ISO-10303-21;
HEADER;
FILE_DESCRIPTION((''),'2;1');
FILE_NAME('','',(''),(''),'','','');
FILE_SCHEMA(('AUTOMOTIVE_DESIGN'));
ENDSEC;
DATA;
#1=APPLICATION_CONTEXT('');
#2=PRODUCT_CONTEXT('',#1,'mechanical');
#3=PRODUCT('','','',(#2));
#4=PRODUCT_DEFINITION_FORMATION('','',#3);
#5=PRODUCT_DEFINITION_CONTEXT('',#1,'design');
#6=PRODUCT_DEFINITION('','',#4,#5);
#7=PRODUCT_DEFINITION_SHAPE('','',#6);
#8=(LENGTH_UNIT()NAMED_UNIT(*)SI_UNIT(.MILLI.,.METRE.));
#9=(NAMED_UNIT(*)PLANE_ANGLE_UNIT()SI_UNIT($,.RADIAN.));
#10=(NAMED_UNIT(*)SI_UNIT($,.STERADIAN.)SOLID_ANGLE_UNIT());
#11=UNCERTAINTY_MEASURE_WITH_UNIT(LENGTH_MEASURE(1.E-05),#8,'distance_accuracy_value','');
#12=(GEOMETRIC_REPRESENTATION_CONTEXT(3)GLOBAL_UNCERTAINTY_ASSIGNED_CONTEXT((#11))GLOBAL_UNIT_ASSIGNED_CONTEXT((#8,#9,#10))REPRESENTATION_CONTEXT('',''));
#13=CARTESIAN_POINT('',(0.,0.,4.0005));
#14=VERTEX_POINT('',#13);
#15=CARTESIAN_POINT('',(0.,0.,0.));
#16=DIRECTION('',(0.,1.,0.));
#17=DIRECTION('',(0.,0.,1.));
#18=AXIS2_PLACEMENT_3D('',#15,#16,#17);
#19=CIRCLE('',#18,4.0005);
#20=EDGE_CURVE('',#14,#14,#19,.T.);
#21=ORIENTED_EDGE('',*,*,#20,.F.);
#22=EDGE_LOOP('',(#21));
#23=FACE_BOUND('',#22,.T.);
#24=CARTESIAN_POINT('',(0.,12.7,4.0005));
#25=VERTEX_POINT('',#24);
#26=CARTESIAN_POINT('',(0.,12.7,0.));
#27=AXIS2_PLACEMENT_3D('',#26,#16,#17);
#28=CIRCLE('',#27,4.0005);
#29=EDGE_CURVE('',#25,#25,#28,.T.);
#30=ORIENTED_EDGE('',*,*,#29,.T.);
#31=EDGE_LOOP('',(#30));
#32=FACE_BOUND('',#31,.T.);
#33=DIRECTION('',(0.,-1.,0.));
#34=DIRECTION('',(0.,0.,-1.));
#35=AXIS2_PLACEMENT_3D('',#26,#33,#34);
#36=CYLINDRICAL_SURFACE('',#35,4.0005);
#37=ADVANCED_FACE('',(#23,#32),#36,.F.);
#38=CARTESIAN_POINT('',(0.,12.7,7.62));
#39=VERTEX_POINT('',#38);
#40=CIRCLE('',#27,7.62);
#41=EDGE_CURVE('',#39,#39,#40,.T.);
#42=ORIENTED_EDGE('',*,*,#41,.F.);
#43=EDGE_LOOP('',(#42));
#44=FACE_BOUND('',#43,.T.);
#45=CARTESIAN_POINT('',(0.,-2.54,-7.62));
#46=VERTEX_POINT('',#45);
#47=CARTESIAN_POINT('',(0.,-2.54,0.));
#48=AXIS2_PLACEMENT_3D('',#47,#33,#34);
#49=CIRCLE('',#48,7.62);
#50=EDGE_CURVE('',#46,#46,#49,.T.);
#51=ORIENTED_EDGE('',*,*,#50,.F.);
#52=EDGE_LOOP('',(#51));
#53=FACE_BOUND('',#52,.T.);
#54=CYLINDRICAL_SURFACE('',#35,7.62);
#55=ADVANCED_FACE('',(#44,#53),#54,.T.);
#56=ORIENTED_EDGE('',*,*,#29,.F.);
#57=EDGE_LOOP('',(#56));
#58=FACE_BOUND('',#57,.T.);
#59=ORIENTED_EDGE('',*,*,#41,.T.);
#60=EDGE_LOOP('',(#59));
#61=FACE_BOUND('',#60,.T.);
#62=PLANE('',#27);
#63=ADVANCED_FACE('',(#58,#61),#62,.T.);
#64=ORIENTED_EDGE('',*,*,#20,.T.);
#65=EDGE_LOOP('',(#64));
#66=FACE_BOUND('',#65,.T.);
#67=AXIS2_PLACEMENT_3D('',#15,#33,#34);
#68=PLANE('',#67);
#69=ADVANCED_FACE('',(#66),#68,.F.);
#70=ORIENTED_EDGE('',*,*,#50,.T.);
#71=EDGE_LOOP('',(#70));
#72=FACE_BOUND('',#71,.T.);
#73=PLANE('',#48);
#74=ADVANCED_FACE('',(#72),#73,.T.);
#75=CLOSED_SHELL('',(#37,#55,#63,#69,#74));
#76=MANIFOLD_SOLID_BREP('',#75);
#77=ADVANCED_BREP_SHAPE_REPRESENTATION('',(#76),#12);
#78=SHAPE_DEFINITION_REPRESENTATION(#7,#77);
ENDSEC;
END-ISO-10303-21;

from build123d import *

# Parameters (mm, degrees)
SKETCH1_R           = 7.62
SKETCH1_R_2         = 4.0005
BOSS_EXTRUDE1_DEPTH = 12.7
BOSS_EXTRUDE2_START = 2.54
SKETCH2_R           = 7.62
BOSS_EXTRUDE2_DEPTH = 2.54


with BuildPart() as part:
    # Sketch1 → Boss-Extrude1 (new body)
    with BuildSketch(Plane(origin=(0, 0, 0), x_dir=(1, 0, 0), z_dir=(0, 1, 0))):
        with Locations(Location((0, 0, 0), (0, 0, 270))):
            Circle(SKETCH1_R)
        with Locations(Location((0, 0, 0), (0, 0, 270))):
            Circle(SKETCH1_R_2, mode=Mode.SUBTRACT)
    extrude(amount=BOSS_EXTRUDE1_DEPTH)

    # Sketch2 → Boss-Extrude2 (add)
    with BuildSketch(Plane.XZ.offset(BOSS_EXTRUDE2_START)):
        with Locations(Location((0, 0, 0), (0, 0, 270))):
            Circle(SKETCH2_R)
    extrude(amount=-BOSS_EXTRUDE2_DEPTH)


solid = part.part
